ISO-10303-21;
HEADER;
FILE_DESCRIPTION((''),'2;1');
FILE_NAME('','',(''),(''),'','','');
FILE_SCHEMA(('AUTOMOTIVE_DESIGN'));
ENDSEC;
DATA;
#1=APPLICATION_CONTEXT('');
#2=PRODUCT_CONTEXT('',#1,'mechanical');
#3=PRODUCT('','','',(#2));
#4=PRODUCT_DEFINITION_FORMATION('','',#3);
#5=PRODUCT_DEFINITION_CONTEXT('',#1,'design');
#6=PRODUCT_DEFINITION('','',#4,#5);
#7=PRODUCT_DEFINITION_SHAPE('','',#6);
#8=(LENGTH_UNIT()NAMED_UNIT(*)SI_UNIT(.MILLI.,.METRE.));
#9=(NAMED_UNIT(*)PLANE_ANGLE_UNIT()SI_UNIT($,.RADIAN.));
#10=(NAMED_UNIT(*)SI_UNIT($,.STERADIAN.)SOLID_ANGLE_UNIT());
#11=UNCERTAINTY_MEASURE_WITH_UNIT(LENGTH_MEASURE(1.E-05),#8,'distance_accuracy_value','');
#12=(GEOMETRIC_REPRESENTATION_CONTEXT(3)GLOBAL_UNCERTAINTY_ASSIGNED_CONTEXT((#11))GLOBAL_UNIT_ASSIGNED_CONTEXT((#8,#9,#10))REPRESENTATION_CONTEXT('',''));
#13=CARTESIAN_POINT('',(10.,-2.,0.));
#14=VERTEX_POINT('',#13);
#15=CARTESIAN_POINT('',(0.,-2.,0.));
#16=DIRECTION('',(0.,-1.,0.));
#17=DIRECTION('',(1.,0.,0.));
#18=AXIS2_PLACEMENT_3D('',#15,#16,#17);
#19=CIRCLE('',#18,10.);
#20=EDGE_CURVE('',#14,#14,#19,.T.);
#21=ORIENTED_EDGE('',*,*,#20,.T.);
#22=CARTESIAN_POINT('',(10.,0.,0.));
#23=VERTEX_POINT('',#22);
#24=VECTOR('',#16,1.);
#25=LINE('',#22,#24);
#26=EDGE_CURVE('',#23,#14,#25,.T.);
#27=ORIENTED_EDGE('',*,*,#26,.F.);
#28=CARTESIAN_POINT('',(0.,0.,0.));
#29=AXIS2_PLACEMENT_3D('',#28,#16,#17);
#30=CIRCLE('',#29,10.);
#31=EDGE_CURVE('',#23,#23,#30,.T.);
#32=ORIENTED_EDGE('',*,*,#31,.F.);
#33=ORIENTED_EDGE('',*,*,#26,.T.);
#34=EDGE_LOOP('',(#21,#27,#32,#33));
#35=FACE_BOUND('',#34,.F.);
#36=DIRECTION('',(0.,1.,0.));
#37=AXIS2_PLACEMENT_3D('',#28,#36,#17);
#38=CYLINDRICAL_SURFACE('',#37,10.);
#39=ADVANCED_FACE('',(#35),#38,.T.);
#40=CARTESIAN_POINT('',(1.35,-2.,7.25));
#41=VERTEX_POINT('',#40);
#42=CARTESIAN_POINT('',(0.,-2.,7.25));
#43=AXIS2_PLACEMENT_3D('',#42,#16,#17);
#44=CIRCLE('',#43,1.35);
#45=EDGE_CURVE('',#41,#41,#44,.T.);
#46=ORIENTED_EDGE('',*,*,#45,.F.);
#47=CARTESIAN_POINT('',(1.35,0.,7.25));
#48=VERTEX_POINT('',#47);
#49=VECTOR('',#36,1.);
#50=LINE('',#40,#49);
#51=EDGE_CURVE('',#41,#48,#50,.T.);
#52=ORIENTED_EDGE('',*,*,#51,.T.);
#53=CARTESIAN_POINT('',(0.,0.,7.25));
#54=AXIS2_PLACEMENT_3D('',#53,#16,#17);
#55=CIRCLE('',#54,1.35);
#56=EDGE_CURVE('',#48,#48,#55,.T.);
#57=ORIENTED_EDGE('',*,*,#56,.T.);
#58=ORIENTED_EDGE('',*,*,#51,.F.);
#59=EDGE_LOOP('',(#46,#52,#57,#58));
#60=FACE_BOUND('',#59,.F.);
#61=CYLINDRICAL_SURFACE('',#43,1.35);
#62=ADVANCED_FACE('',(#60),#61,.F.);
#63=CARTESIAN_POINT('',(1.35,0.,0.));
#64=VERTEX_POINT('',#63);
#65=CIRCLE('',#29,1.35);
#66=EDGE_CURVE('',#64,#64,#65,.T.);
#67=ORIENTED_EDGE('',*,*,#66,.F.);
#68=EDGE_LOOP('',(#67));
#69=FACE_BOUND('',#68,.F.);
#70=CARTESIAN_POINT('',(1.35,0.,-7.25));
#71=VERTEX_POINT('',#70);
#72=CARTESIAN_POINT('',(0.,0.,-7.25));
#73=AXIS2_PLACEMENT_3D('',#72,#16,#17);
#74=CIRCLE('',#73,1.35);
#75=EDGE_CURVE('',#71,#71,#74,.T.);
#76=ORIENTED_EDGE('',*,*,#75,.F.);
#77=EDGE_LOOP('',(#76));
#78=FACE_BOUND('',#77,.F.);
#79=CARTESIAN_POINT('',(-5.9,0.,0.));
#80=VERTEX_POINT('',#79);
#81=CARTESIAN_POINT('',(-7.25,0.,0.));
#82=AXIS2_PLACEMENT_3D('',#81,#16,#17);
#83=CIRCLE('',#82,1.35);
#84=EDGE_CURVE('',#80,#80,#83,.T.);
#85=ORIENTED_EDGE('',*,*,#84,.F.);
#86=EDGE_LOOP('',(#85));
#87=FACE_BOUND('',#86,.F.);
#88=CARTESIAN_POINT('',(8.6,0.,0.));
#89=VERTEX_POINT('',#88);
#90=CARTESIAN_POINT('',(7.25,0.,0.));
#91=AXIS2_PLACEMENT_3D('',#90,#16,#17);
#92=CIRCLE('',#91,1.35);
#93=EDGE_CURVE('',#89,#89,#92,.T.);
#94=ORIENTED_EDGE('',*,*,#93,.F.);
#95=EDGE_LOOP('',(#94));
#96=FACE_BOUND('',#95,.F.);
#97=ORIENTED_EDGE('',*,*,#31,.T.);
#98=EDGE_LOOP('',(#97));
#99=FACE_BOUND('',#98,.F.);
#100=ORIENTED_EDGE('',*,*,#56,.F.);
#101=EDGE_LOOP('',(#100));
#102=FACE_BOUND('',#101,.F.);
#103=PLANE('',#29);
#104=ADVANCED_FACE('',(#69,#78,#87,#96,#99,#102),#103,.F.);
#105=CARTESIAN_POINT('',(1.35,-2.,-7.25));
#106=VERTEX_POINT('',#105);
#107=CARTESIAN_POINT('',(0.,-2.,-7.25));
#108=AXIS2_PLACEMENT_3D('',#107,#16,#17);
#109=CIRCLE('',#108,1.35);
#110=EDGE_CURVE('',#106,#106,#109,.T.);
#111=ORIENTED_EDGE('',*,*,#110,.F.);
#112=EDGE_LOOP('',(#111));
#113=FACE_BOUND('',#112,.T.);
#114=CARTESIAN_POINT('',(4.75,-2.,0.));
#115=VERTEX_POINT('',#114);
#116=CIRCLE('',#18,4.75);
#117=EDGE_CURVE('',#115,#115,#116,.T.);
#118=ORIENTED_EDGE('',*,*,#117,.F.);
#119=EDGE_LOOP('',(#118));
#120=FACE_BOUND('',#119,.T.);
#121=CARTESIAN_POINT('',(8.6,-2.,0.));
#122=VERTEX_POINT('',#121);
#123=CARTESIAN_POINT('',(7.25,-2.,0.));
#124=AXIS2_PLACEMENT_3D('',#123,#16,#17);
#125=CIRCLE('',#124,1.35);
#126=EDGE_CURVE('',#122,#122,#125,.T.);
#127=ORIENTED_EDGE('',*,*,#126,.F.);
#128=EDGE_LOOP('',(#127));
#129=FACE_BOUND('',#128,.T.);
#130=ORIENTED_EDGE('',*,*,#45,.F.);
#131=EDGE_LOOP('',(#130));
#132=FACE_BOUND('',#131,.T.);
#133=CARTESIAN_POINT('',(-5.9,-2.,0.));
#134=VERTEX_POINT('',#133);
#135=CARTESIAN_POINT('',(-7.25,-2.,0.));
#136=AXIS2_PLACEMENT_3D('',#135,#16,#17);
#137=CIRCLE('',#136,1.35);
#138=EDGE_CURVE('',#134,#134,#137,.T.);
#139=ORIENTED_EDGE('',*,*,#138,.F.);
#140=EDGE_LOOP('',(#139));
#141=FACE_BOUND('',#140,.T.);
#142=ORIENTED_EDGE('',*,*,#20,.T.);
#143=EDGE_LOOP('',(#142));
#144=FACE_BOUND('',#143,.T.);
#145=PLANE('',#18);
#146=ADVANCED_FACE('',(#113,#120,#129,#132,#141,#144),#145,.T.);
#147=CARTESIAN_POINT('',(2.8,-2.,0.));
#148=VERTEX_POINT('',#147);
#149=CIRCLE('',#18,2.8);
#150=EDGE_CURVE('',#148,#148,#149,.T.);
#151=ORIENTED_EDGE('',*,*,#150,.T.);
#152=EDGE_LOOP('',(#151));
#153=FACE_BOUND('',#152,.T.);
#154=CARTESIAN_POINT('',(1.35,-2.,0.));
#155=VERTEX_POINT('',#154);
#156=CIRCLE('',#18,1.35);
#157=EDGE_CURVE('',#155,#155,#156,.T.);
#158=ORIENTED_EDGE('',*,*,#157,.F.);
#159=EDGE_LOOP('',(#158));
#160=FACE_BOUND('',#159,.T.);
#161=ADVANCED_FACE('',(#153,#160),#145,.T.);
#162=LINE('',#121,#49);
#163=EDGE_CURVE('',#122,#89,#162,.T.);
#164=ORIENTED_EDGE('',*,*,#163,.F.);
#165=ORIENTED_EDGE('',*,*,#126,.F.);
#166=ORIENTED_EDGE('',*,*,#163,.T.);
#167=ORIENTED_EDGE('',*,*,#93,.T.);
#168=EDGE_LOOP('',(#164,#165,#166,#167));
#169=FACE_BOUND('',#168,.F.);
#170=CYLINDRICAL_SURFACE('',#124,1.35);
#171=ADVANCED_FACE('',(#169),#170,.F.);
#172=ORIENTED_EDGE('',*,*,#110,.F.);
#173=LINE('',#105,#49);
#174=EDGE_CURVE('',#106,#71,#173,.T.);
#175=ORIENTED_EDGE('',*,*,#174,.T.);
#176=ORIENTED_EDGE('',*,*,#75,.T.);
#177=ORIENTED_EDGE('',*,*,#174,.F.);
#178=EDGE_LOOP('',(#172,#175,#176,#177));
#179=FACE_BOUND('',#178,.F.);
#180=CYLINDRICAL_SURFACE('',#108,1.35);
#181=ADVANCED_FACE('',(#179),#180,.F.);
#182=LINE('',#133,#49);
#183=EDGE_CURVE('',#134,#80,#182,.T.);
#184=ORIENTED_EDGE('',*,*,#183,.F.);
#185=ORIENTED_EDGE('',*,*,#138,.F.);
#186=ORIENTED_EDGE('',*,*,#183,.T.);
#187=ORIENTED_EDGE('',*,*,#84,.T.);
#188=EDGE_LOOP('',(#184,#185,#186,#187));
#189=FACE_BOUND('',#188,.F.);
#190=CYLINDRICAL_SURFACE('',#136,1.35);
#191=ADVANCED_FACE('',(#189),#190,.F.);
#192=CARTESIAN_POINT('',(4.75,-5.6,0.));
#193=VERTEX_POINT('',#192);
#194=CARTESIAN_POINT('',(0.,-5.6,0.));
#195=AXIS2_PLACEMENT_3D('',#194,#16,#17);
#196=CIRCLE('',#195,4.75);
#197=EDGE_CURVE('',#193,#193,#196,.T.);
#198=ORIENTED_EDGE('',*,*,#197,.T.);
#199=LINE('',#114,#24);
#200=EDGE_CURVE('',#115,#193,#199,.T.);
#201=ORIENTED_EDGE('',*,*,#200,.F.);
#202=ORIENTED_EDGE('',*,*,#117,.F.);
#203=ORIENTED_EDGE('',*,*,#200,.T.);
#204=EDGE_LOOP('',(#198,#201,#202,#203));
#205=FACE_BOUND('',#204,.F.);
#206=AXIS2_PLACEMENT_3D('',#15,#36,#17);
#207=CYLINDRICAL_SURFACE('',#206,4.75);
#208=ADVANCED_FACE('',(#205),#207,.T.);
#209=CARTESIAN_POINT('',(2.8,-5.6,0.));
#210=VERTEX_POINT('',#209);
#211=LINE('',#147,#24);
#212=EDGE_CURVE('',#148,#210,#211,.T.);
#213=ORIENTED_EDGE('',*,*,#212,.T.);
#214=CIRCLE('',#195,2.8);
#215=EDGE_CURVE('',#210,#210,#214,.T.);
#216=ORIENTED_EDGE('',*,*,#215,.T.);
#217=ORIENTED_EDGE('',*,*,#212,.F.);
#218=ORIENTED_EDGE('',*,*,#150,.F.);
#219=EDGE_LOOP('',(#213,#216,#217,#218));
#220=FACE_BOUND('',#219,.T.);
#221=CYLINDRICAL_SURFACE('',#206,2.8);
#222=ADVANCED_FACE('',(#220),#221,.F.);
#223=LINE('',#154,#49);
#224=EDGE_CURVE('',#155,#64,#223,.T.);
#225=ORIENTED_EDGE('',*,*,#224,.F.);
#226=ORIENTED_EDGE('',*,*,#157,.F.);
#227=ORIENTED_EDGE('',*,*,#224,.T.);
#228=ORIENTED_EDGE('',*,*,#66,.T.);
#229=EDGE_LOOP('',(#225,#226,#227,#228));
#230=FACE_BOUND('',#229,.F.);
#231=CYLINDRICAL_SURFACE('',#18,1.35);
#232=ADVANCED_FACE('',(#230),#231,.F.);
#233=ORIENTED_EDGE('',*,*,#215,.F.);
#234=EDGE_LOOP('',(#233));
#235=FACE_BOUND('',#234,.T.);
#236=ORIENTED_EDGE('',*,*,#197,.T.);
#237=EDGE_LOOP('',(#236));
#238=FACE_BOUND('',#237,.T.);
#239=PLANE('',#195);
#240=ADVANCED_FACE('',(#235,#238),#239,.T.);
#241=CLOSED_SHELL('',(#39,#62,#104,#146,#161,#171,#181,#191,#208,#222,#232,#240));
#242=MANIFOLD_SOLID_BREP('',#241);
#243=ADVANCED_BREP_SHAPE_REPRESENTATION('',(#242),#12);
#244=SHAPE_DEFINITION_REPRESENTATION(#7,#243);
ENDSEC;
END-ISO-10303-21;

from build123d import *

# Parameters (mm, degrees)
F0_R     = 10
F1_DEPTH = 2
F2_R     = 4.75
F2_R_2   = 2.8
F3_DEPTH = 3.6
F4_R     = 1.35
F5_DEPTH = 25


with BuildPart() as f1:
    # F0 (on Front) → F1 (new body)
    with BuildSketch(Plane.XZ):
        Circle(F0_R)
    extrude(amount=F1_DEPTH)

    # F2 (on face) → F3 (join)
    with BuildSketch(Plane.XZ.offset(2)):
        Circle(F2_R)
        Circle(F2_R_2, mode=Mode.SUBTRACT)
    extrude(amount=F3_DEPTH)

    # F4 (on face) → F5 (cut)
    with BuildSketch(Plane.XZ.offset(2)):
        with Locations((0, 7.25)):
            Circle(F4_R)
        with Locations((-7.25, 0)):
            Circle(F4_R)
        Circle(F4_R)
        with Locations((7.25, 0)):
            Circle(F4_R)
        with Locations((0, -7.25)):
            Circle(F4_R)
    extrude(amount=-F5_DEPTH, mode=Mode.SUBTRACT)


solid = f1.part
